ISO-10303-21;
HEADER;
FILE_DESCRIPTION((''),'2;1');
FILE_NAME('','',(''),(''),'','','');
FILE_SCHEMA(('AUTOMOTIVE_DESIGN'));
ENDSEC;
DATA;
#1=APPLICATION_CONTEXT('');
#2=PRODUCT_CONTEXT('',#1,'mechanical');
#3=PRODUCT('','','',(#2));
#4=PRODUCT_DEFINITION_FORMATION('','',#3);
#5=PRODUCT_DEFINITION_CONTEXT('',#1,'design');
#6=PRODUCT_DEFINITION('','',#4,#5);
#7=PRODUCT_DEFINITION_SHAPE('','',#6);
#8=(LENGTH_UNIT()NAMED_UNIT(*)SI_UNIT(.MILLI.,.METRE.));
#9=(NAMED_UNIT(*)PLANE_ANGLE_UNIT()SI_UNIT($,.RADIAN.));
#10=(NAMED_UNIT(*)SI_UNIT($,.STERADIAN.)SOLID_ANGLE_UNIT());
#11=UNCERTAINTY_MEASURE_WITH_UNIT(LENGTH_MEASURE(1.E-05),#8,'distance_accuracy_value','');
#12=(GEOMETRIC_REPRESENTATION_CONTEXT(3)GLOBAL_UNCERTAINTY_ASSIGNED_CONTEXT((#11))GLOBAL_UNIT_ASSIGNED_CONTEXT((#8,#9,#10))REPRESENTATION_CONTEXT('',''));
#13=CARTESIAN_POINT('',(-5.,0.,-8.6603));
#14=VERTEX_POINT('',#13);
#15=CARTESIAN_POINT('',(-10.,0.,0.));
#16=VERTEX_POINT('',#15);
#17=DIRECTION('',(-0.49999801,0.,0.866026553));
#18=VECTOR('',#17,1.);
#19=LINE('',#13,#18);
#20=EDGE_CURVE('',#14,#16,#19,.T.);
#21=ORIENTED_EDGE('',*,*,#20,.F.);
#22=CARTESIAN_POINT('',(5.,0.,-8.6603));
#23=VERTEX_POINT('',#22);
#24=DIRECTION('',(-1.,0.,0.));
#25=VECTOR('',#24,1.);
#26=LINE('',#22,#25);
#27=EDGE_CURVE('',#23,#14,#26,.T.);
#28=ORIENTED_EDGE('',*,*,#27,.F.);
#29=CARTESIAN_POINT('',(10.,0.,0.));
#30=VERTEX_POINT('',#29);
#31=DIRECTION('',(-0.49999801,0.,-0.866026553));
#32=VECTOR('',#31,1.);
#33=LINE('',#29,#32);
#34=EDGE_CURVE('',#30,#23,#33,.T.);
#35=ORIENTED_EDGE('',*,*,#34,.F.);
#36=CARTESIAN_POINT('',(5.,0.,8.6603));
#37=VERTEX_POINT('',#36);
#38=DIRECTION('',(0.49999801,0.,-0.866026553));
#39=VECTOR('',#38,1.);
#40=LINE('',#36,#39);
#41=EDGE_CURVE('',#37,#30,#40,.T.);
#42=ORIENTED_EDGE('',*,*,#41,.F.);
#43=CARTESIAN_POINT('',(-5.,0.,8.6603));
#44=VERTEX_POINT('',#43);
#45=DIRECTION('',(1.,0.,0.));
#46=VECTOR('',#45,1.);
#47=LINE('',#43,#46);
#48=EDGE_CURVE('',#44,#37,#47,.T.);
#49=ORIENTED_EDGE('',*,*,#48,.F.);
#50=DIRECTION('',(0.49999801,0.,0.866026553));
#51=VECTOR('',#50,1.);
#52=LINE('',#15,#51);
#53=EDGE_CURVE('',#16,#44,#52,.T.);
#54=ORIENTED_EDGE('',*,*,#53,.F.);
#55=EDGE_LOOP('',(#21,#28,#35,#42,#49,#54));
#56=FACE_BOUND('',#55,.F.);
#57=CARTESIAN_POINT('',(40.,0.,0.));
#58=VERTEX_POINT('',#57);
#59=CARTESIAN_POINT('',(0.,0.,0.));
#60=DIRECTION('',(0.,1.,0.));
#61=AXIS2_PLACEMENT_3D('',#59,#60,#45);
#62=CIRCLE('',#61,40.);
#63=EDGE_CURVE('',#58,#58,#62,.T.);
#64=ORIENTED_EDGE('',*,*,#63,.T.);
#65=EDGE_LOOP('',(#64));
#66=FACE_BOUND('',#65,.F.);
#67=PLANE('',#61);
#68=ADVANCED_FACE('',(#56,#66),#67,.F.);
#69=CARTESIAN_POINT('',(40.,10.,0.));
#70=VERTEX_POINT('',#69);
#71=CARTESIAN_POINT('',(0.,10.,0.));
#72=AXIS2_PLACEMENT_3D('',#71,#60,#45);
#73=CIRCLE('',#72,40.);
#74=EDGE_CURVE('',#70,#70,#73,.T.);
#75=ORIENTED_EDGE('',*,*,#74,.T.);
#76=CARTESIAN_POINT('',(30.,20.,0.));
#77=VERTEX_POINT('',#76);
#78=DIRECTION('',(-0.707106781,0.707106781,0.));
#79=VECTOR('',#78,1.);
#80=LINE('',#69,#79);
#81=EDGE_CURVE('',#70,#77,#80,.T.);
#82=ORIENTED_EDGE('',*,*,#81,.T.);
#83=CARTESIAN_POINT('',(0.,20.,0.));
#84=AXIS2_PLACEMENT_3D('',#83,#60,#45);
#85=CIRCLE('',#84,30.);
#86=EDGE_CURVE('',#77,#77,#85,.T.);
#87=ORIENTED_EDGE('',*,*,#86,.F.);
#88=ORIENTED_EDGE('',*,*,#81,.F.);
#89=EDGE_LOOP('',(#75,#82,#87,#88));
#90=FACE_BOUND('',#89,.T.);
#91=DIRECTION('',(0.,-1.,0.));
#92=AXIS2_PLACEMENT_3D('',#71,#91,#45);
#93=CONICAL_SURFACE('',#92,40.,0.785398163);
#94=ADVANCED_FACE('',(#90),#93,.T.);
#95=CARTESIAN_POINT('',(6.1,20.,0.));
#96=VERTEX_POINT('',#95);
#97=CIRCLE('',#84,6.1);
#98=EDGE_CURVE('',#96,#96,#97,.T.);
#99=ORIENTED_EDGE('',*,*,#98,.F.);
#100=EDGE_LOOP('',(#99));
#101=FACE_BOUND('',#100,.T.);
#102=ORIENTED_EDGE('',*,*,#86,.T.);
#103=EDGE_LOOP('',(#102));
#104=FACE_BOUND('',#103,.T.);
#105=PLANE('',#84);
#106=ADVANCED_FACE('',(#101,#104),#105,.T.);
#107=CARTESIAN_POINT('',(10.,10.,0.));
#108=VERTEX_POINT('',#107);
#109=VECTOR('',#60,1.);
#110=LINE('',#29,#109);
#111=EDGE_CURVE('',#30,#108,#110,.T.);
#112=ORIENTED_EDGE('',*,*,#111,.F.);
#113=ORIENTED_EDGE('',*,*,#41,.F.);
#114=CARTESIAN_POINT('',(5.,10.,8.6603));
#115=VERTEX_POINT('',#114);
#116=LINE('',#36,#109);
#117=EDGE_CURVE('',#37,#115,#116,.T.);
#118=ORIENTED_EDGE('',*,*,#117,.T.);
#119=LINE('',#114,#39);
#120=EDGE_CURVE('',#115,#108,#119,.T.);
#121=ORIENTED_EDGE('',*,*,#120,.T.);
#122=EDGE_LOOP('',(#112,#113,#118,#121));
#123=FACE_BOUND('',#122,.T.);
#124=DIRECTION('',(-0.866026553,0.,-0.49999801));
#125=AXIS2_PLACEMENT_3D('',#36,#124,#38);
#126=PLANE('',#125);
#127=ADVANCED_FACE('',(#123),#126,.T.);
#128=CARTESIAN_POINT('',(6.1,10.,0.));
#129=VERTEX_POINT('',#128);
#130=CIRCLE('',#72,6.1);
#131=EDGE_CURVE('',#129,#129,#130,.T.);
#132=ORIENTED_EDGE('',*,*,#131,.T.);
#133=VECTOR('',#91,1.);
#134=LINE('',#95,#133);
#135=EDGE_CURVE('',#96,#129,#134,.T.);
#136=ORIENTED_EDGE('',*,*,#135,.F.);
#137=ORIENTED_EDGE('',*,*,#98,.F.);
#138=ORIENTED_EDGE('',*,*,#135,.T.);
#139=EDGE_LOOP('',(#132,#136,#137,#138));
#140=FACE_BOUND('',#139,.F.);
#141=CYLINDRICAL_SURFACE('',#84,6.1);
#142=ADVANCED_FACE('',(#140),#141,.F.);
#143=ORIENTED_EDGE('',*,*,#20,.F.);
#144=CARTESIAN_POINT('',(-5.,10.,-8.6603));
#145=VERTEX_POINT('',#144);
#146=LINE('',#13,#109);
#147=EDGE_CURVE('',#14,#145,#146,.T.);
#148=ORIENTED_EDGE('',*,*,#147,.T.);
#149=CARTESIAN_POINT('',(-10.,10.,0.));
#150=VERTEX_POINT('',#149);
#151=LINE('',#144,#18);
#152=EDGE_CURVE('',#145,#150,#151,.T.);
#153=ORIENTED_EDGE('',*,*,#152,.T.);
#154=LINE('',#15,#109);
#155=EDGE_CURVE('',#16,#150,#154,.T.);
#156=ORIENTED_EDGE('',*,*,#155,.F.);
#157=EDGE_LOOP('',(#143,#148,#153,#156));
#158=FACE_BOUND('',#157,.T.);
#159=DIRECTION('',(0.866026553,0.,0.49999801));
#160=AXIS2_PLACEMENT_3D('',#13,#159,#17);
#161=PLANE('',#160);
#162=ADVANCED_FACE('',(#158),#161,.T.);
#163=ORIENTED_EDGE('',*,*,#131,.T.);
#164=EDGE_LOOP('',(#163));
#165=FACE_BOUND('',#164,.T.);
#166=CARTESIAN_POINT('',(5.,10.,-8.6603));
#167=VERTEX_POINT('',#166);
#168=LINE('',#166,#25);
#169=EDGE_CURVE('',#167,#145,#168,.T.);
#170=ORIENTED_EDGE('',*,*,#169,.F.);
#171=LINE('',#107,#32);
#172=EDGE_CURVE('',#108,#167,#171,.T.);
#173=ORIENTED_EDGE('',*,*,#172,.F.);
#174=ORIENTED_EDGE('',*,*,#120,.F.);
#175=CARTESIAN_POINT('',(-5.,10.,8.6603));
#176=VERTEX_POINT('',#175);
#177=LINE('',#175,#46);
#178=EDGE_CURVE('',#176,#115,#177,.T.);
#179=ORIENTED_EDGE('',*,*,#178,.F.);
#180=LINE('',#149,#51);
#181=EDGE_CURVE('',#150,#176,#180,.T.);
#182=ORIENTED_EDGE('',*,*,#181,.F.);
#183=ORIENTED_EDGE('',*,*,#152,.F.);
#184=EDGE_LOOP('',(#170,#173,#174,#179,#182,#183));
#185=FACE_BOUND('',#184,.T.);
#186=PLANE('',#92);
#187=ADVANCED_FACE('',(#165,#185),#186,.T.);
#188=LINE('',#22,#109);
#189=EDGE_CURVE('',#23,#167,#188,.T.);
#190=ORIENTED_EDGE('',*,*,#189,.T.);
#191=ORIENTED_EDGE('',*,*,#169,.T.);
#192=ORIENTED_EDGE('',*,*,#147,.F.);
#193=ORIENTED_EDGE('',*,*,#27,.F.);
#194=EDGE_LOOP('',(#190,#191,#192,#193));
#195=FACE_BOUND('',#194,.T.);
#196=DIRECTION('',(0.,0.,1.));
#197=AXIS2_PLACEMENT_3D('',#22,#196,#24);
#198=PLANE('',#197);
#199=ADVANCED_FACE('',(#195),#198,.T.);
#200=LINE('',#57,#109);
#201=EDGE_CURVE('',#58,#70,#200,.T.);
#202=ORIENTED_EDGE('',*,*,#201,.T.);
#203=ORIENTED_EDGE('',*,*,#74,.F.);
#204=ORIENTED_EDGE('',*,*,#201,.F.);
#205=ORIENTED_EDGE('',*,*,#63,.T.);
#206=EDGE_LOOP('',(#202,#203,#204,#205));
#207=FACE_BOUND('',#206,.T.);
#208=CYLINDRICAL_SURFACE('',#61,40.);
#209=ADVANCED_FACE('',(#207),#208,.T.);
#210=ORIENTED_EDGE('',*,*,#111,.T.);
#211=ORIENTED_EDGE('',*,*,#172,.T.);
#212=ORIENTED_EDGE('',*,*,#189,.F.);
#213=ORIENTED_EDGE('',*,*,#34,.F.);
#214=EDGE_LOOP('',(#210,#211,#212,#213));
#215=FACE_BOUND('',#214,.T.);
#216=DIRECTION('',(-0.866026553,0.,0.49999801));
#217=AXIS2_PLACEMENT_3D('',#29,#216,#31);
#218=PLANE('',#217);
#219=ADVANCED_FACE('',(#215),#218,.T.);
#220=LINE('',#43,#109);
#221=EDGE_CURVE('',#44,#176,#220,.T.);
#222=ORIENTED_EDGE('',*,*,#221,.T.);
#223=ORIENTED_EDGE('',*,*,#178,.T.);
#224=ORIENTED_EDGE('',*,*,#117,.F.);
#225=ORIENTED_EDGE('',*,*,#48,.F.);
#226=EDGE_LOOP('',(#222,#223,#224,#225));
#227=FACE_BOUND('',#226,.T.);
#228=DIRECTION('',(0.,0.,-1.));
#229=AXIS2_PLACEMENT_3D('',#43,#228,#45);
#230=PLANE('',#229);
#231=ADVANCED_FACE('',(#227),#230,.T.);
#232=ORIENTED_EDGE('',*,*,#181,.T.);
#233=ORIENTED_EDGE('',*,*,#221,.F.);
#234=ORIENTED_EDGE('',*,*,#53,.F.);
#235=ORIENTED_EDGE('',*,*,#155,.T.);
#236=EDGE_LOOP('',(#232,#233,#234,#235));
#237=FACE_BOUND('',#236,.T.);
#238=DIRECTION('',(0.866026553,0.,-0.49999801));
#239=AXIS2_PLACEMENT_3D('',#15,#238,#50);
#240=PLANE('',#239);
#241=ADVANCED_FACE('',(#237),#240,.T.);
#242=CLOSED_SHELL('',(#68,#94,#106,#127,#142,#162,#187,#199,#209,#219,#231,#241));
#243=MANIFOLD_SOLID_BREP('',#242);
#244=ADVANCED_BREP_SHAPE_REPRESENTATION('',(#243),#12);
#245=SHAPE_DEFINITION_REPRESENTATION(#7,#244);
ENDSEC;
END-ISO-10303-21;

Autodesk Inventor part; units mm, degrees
sketch "Esboço1" plane through (0, 0, 0) normal (0, 0, 1) x (1, 0, 0)
  line L0 (-40, 0) -> (-40, 10)
  line L1 (-40, 10) -> (-30, 20)
  line L2 (-30, 20) -> (0, 20)
  line L3 (-40, 0) -> (0, 0)
  line L4 (0, 20) -> (0, 0)
  line L5 (0, -4) -> (0, 24) projected
  dimension "d0" = 40
  dimension "d1" = 10
  dimension "d6" = 135
  dimension "d7" = 30
revolve "Revolução1" add sketch "Esboço1" angle 360 mid plane about axis through (0, -10, 0) along (0, 1, 0)
sketch "Esboço2" plane through (0, 20, 0) normal (0, 1, 0) x (1, 0, 0)
  circle A0 centre (0, 0) radius 6.1
  dimension "d9" = 12.2
extrude "Extrusão1" cut sketch "Esboço2" against normal through all
sketch "Esboço3" plane through (0, 0, 0) normal (0, -1, 0) x (1, 0, 0)
  line L0 (5, 8.6603) -> (10, 0)
  line L1 (10, 0) -> (5, -8.6603)
  line L2 (5, -8.6603) -> (-5, -8.6603)
  line L3 (-5, -8.6603) -> (-10, 0)
  line L4 (-10, 0) -> (-5, 8.6603)
  line L5 (-5, 8.6603) -> (5, 8.6603)
  point P0 (0, 0)
  point P1 (0, 0)
  point P2 (0, 8.6603)
  dimension "d12" = 10
extrude "Extrusão2" cut sketch "Esboço3" against normal blind 10
properties part number "Sessao9__08_04_2025_0001_001" material "Ouro"
